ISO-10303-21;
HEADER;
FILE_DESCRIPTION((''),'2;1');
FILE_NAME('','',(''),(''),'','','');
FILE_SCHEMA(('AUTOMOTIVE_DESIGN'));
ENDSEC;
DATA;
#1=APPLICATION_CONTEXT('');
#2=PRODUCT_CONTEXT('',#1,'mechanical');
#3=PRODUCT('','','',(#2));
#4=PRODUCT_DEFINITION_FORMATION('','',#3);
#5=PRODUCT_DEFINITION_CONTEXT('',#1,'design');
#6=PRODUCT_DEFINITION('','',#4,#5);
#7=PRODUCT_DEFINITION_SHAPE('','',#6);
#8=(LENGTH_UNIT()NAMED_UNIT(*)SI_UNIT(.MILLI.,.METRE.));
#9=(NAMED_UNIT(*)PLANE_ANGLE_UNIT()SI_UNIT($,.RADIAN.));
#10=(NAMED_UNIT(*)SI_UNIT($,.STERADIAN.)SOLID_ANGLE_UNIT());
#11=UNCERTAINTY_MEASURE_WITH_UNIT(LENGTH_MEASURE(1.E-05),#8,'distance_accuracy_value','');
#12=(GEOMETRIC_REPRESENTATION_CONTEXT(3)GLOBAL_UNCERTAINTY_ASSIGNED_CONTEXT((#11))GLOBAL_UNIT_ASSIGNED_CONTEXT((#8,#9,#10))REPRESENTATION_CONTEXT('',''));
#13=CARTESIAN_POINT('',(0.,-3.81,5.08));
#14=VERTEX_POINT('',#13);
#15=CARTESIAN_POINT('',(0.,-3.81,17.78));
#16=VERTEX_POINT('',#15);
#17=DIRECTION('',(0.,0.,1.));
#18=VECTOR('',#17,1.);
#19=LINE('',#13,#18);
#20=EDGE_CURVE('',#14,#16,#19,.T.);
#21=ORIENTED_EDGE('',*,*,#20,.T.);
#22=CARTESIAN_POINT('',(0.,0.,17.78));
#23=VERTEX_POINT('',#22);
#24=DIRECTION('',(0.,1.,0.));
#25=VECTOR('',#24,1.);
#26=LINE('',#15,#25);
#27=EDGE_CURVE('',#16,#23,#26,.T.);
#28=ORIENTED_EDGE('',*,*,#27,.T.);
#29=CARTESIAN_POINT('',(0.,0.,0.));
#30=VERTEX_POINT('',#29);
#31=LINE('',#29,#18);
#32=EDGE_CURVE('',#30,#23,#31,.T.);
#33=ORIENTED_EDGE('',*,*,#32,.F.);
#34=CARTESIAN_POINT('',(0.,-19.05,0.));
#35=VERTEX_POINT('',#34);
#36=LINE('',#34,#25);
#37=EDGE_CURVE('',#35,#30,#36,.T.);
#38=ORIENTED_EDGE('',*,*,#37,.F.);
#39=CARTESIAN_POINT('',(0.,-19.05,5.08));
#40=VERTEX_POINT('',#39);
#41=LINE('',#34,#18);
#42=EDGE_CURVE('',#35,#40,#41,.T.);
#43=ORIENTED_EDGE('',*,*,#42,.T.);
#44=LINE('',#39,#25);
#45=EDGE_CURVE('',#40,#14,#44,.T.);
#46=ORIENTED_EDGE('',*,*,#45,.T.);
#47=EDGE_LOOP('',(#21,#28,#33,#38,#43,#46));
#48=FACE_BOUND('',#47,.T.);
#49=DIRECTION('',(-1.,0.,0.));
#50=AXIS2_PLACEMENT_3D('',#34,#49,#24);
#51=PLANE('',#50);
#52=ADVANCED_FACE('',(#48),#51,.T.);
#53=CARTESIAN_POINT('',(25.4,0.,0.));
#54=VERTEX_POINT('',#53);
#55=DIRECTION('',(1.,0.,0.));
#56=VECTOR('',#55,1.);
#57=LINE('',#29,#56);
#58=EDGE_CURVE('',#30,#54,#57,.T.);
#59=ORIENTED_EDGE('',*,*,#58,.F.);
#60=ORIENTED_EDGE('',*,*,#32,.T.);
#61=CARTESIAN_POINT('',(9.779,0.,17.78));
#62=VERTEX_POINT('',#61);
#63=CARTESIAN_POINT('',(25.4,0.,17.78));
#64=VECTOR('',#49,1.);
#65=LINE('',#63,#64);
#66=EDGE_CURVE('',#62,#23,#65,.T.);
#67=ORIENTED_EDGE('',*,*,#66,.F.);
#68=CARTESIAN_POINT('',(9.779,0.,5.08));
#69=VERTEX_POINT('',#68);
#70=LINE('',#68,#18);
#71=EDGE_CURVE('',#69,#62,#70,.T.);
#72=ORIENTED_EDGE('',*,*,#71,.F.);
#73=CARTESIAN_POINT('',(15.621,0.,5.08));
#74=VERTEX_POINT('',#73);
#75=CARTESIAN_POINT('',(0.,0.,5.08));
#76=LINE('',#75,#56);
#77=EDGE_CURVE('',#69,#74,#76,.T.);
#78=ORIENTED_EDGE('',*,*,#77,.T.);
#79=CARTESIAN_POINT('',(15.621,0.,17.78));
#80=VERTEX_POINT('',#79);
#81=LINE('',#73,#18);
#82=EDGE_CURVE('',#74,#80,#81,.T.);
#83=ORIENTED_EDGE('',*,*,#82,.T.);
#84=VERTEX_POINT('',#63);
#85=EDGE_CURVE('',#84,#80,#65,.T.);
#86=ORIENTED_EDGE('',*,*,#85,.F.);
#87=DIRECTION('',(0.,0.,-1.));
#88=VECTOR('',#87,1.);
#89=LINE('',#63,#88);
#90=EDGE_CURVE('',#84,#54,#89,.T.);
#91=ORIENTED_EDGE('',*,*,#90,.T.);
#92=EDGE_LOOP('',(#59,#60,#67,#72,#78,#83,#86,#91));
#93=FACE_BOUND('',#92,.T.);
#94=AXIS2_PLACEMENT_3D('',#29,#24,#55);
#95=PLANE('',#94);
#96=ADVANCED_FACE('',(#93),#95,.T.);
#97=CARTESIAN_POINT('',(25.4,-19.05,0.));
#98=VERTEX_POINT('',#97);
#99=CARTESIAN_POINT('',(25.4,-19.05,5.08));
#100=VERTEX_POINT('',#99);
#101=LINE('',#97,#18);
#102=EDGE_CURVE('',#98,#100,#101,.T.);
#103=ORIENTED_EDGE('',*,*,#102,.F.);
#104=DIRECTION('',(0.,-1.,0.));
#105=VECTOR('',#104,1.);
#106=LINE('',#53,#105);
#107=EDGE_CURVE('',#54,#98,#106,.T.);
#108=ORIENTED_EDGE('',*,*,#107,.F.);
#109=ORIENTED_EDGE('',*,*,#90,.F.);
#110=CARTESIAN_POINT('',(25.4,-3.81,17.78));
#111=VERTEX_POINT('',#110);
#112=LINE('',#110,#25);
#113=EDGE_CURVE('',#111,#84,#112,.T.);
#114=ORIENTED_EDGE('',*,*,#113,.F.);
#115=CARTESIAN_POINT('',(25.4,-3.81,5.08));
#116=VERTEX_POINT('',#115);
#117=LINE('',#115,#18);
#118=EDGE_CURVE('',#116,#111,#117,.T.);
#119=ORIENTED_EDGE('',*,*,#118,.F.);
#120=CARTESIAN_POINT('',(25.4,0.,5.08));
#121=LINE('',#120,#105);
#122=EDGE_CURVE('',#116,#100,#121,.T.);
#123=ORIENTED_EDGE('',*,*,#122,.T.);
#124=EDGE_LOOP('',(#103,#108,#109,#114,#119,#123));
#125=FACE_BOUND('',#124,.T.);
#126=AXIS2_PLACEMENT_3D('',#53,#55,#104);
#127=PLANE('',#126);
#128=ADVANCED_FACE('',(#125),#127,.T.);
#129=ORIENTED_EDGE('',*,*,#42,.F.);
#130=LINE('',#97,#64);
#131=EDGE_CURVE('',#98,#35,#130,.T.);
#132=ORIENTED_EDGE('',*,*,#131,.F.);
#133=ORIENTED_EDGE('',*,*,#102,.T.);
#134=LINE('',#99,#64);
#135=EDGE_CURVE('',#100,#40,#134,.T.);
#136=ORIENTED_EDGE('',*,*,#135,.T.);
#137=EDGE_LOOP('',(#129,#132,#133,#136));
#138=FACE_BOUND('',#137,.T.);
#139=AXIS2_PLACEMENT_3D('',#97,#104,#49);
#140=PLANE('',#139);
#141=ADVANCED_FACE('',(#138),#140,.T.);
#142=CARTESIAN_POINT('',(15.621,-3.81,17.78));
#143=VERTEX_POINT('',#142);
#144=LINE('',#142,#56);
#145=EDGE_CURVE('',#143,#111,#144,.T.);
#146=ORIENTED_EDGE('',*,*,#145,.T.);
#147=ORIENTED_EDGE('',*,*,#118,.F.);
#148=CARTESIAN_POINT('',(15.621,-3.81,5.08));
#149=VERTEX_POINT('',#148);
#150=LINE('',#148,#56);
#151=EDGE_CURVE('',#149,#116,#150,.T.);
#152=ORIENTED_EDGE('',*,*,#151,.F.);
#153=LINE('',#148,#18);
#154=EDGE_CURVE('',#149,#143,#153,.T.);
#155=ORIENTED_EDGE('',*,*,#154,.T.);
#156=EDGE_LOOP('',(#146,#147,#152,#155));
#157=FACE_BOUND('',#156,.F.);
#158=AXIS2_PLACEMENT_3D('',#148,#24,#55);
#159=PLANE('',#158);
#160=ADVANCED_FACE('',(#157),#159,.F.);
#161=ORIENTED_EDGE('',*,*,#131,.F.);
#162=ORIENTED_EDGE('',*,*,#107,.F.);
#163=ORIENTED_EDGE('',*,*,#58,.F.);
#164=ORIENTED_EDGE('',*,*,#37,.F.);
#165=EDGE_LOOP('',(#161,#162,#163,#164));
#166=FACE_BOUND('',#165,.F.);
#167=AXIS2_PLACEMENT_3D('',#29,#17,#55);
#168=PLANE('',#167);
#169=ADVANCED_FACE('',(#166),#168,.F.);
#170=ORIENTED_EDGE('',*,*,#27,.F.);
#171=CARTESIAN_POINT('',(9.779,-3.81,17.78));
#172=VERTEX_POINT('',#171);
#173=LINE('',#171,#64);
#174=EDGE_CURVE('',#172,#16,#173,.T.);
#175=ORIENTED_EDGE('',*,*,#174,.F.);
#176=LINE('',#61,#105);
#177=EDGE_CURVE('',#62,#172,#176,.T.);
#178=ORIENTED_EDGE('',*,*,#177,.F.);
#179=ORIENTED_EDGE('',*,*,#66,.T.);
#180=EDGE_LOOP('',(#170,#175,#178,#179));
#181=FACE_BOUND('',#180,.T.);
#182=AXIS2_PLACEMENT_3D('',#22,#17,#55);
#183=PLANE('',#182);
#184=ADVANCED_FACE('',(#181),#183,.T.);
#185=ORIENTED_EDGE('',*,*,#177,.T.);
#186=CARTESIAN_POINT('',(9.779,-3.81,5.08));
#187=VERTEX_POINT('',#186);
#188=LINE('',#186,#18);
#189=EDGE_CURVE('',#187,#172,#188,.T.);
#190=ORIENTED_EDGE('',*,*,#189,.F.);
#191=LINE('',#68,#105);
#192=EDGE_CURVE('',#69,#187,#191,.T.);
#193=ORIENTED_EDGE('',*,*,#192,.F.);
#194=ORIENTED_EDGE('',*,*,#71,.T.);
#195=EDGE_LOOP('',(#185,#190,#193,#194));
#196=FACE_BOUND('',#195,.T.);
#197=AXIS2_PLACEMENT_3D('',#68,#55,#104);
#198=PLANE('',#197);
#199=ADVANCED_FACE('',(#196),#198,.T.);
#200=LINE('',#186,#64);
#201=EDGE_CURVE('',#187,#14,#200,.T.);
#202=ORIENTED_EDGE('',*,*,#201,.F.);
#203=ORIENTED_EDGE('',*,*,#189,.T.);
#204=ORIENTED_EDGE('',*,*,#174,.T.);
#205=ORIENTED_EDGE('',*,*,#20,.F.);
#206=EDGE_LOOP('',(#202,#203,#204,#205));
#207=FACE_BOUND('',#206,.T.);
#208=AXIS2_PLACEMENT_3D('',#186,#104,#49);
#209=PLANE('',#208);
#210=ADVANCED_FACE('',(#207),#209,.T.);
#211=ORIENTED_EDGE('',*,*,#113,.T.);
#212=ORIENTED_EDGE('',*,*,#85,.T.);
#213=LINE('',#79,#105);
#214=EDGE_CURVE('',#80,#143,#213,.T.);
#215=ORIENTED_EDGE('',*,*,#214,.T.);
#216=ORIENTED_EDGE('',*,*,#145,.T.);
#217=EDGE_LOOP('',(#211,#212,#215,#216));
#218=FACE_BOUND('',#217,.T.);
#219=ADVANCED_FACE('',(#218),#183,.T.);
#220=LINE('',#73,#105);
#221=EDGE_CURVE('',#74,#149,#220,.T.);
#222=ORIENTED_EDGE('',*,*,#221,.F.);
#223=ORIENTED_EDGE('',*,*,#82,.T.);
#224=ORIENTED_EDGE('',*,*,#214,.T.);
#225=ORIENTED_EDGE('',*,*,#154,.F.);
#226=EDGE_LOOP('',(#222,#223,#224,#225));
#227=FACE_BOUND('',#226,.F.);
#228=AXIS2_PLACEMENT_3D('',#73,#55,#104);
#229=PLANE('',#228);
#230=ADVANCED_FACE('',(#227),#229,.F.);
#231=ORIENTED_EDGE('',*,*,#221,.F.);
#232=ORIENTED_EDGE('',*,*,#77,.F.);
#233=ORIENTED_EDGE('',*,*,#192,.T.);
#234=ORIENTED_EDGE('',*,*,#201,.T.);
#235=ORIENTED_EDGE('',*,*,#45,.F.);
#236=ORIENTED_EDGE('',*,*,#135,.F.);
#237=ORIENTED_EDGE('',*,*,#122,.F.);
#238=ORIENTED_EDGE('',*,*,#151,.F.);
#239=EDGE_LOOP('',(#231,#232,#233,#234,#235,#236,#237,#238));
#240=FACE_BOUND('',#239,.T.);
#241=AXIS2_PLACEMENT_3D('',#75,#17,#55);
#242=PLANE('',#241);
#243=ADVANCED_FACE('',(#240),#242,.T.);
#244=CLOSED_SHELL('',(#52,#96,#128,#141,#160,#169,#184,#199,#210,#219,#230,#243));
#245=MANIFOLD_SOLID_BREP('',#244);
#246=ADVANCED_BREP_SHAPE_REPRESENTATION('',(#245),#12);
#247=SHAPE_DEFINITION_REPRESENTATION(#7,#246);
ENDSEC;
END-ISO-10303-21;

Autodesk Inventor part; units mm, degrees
ref_plane "YZ Plane" through (0, 0, 0) normal (1, 0, 0) x (0, 1, 0)
ref_plane "XZ Plane" through (0, 0, 0) normal (0, 1, 0) x (-1, 0, 0)
ref_plane "XY Plane" through (0, 0, 0) normal (0, 0, 1) x (1, 0, 0)
sketch "Sketch1" plane through (0, 0, 0) normal (0, 0, 1) x (1, 0, 0)
  line L0 (0, 0) -> (25.4, 0)
  line L1 (25.4, 0) -> (25.4, -19.05)
  line L2 (25.4, -19.05) -> (0, -19.05)
  line L3 (0, -19.05) -> (0, 0)
  dimension "d0" = 25.4
  dimension "d1" = 19.05
extrude "Extrusion1" add sketch "Sketch1" along normal blind 5.08
sketch "Sketch2" plane through (0, 0, 5.08) normal (0, 0, 1) x (1, 0, 0)
  line L0 (25.4, 0) -> (0, 0) projected
  line L1 (0, 0) -> (9.779, 0)
  line L2 (9.779, 0) -> (9.779, -3.81)
  line L3 (9.779, -3.81) -> (0, -3.81)
  line L4 (0, -3.81) -> (0, 0)
  line L5 (25.4, 0) -> (15.621, 0)
  line L6 (15.621, 0) -> (15.621, -3.81)
  line L7 (15.621, -3.81) -> (25.4, -3.81)
  line L8 (25.4, -3.81) -> (25.4, 0)
  dimension "d4" = 9.779
  dimension "d5" = 3.81
  dimension "d6" = 9.779
extrude "Extrusion2" add sketch "Sketch2" along normal blind 12.7
